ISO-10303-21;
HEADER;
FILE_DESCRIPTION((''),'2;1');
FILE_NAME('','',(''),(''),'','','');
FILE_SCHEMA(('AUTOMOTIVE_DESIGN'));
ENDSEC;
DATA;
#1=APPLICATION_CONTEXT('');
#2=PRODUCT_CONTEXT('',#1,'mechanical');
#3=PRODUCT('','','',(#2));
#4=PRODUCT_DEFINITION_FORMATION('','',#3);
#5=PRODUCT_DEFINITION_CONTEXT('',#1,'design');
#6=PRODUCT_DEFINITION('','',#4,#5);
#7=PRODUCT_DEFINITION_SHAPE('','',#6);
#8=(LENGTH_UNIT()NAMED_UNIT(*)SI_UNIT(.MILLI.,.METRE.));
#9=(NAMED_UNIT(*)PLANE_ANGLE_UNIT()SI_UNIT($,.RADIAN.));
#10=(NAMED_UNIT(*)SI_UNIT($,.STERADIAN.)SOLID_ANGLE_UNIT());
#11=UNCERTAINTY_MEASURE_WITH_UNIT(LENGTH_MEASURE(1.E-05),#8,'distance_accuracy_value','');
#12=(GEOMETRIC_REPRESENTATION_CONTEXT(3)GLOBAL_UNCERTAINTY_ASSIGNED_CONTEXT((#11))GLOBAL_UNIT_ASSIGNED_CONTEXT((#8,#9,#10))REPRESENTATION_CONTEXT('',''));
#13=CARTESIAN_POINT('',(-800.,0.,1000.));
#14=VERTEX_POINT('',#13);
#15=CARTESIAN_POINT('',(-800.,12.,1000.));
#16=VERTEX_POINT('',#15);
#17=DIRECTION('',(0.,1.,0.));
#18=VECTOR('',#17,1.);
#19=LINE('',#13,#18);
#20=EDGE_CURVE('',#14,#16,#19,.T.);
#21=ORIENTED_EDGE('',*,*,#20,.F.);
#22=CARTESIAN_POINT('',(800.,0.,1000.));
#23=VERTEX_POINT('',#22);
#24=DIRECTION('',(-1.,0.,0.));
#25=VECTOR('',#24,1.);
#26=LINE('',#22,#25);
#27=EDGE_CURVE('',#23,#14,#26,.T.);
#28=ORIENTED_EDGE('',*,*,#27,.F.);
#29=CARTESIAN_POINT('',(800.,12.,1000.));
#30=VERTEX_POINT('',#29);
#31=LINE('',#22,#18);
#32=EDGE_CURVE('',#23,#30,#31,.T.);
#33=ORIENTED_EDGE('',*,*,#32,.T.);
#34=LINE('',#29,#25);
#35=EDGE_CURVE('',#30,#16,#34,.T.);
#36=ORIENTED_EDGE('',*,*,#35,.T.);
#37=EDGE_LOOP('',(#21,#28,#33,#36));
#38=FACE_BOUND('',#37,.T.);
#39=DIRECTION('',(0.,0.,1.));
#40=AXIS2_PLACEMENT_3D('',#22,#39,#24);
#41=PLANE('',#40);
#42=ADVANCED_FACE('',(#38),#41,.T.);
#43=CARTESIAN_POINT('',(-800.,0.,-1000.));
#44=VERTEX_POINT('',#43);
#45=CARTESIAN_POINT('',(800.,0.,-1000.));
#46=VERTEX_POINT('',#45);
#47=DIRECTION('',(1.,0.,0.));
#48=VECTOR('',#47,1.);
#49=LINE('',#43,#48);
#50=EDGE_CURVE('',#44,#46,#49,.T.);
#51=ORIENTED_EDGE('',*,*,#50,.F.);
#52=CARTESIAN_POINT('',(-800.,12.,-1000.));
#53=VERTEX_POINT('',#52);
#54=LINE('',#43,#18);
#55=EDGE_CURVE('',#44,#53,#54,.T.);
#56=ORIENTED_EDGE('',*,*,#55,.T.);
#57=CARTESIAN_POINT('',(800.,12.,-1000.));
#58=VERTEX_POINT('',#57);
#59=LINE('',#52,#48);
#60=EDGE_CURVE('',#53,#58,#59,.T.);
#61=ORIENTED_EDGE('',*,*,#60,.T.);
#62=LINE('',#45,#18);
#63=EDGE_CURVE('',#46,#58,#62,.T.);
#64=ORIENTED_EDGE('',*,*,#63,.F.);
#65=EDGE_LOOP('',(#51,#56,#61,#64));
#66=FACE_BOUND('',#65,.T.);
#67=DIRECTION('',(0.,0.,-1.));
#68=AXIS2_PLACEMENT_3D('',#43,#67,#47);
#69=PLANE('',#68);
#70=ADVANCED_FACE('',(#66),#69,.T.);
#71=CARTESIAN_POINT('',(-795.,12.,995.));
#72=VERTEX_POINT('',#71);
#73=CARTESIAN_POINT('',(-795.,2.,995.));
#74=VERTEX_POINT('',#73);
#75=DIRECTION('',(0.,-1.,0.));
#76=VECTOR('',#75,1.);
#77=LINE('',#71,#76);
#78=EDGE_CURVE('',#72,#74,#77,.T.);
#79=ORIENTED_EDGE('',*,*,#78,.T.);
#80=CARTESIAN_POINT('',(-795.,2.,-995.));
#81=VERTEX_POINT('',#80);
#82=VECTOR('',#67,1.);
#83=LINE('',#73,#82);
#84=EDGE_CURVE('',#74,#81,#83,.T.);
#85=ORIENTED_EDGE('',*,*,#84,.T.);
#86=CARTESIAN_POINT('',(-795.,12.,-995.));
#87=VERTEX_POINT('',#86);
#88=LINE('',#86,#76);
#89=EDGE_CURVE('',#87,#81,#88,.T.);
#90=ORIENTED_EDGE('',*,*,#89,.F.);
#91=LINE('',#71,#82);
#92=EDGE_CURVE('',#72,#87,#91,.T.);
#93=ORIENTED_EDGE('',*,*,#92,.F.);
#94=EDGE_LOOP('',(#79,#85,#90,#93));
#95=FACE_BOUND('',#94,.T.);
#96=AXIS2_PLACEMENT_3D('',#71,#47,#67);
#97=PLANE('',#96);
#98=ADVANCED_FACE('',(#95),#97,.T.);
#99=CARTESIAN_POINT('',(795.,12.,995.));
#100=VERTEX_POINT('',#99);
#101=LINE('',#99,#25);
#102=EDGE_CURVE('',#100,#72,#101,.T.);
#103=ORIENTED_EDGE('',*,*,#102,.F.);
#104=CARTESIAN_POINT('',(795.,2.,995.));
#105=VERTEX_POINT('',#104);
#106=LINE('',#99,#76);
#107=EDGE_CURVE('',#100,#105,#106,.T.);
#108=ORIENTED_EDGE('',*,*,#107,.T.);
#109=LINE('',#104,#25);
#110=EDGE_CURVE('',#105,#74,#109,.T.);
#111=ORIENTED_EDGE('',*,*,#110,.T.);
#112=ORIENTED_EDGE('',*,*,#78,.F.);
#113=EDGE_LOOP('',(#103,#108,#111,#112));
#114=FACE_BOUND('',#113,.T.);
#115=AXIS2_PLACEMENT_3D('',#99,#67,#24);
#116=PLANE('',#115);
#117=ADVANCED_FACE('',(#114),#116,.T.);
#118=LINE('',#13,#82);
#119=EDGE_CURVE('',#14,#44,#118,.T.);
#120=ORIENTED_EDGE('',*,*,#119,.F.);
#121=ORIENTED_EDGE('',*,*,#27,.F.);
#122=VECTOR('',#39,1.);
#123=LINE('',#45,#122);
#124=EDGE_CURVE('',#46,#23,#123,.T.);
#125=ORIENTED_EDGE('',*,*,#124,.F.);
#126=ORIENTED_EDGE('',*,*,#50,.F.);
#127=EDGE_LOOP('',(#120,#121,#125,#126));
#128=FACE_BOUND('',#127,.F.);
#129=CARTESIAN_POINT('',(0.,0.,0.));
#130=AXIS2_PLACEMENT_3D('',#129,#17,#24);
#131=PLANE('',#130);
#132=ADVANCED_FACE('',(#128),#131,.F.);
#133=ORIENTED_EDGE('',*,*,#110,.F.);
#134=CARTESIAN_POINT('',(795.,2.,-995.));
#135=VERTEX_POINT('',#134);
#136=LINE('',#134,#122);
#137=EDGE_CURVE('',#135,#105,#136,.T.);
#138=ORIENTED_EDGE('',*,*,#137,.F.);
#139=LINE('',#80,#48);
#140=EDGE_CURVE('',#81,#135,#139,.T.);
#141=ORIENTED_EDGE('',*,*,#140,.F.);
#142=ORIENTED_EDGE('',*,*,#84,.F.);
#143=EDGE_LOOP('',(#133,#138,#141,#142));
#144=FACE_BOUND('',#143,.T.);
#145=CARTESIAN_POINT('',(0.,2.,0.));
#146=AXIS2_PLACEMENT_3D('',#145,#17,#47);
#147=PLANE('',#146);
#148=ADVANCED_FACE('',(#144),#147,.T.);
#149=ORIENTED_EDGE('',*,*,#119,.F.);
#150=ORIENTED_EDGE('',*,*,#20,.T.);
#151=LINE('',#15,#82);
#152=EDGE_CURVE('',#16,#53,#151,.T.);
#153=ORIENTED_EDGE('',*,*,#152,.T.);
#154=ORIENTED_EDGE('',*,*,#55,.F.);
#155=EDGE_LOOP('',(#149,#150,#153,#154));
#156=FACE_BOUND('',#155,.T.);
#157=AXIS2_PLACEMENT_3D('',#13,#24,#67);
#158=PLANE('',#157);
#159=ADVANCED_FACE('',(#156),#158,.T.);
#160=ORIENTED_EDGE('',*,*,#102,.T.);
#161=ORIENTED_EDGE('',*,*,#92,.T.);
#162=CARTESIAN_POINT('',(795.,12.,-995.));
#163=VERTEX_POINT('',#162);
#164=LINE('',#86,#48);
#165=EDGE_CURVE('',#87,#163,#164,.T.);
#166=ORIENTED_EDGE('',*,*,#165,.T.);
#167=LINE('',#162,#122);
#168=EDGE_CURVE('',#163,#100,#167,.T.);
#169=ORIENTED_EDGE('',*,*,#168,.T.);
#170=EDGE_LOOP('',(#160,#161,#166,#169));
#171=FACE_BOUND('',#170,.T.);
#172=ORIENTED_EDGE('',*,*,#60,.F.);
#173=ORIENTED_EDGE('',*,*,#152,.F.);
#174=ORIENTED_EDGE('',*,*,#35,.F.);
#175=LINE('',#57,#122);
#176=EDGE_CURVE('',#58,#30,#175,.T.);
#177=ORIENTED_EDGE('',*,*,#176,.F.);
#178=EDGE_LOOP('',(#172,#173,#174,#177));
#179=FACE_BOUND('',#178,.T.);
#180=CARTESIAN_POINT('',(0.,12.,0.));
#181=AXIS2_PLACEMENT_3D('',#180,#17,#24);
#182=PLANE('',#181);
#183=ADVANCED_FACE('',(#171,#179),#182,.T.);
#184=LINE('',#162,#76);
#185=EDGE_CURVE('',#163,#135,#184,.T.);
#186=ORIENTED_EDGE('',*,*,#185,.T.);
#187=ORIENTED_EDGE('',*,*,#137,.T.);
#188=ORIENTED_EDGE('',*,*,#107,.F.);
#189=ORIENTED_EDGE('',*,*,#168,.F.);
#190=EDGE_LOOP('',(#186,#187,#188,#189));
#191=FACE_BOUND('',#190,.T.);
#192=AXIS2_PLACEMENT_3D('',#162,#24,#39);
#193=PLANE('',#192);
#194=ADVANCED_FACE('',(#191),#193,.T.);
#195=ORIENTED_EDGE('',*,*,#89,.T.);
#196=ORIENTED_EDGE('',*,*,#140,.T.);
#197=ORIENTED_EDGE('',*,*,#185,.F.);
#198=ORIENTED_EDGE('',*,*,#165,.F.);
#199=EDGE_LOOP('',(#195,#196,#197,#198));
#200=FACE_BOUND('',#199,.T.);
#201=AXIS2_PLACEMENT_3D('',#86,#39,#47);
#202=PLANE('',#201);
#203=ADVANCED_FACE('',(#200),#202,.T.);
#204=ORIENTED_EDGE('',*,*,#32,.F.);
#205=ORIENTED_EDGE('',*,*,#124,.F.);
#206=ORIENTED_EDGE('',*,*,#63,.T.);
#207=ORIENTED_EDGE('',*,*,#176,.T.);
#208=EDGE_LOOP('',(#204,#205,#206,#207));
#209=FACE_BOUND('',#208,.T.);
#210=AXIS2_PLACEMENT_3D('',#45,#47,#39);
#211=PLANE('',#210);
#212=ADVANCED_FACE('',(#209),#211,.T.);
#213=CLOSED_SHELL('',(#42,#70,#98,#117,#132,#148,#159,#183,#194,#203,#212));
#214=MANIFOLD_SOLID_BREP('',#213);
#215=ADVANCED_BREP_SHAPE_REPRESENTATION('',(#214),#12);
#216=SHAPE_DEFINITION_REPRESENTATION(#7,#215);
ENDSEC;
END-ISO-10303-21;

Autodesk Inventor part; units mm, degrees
ref_plane "YZ Plane" through (0, 0, 0) normal (1, 0, 0) x (0, 1, 0)
ref_plane "XZ Plane" through (0, 0, 0) normal (0, 1, 0) x (-1, 0, 0)
ref_plane "XY Plane" through (0, 0, 0) normal (0, 0, 1) x (1, 0, 0)
sketch "Sketch1" plane through (0, 0, 0) normal (0, 1, 0) x (-1, 0, 0)
  line L0 (-800, 1000) -> (800, 1000)
  line L1 (800, 1000) -> (800, -1000)
  line L2 (800, -1000) -> (-800, -1000)
  line L3 (-800, -1000) -> (-800, 1000)
  line L4 (-800, 1000) -> (800, -1000) construction
  line L5 (800, 1000) -> (-800, -1000) construction
  point P0 (0, 0)
  dimension "d0" = 2000
  dimension "d1" = 1600
extrude "Extrusion1" add sketch "Sketch1" along normal blind 12
sketch "Sketch2" plane through (0, 12, 0) normal (0, 1, 0) x (1, 0, 0)
  line L0 (-800, 1000) -> (-800, -1000) construction
  line L1 (-800, -1000) -> (800, -1000) construction
  line L2 (800, -1000) -> (800, 1000) construction
  line L3 (800, 1000) -> (-800, 1000) construction
  line L4 (-795, -995) -> (-795, 995)
  line L5 (-795, 995) -> (795, 995)
  line L6 (795, 995) -> (795, -995)
  line L7 (795, -995) -> (-795, -995)
  point P0 (0, 0)
  dimension "d4" = 5
extrude "Extrusion2" cut sketch "Sketch2" against normal blind 10
properties part number "stol_1"
